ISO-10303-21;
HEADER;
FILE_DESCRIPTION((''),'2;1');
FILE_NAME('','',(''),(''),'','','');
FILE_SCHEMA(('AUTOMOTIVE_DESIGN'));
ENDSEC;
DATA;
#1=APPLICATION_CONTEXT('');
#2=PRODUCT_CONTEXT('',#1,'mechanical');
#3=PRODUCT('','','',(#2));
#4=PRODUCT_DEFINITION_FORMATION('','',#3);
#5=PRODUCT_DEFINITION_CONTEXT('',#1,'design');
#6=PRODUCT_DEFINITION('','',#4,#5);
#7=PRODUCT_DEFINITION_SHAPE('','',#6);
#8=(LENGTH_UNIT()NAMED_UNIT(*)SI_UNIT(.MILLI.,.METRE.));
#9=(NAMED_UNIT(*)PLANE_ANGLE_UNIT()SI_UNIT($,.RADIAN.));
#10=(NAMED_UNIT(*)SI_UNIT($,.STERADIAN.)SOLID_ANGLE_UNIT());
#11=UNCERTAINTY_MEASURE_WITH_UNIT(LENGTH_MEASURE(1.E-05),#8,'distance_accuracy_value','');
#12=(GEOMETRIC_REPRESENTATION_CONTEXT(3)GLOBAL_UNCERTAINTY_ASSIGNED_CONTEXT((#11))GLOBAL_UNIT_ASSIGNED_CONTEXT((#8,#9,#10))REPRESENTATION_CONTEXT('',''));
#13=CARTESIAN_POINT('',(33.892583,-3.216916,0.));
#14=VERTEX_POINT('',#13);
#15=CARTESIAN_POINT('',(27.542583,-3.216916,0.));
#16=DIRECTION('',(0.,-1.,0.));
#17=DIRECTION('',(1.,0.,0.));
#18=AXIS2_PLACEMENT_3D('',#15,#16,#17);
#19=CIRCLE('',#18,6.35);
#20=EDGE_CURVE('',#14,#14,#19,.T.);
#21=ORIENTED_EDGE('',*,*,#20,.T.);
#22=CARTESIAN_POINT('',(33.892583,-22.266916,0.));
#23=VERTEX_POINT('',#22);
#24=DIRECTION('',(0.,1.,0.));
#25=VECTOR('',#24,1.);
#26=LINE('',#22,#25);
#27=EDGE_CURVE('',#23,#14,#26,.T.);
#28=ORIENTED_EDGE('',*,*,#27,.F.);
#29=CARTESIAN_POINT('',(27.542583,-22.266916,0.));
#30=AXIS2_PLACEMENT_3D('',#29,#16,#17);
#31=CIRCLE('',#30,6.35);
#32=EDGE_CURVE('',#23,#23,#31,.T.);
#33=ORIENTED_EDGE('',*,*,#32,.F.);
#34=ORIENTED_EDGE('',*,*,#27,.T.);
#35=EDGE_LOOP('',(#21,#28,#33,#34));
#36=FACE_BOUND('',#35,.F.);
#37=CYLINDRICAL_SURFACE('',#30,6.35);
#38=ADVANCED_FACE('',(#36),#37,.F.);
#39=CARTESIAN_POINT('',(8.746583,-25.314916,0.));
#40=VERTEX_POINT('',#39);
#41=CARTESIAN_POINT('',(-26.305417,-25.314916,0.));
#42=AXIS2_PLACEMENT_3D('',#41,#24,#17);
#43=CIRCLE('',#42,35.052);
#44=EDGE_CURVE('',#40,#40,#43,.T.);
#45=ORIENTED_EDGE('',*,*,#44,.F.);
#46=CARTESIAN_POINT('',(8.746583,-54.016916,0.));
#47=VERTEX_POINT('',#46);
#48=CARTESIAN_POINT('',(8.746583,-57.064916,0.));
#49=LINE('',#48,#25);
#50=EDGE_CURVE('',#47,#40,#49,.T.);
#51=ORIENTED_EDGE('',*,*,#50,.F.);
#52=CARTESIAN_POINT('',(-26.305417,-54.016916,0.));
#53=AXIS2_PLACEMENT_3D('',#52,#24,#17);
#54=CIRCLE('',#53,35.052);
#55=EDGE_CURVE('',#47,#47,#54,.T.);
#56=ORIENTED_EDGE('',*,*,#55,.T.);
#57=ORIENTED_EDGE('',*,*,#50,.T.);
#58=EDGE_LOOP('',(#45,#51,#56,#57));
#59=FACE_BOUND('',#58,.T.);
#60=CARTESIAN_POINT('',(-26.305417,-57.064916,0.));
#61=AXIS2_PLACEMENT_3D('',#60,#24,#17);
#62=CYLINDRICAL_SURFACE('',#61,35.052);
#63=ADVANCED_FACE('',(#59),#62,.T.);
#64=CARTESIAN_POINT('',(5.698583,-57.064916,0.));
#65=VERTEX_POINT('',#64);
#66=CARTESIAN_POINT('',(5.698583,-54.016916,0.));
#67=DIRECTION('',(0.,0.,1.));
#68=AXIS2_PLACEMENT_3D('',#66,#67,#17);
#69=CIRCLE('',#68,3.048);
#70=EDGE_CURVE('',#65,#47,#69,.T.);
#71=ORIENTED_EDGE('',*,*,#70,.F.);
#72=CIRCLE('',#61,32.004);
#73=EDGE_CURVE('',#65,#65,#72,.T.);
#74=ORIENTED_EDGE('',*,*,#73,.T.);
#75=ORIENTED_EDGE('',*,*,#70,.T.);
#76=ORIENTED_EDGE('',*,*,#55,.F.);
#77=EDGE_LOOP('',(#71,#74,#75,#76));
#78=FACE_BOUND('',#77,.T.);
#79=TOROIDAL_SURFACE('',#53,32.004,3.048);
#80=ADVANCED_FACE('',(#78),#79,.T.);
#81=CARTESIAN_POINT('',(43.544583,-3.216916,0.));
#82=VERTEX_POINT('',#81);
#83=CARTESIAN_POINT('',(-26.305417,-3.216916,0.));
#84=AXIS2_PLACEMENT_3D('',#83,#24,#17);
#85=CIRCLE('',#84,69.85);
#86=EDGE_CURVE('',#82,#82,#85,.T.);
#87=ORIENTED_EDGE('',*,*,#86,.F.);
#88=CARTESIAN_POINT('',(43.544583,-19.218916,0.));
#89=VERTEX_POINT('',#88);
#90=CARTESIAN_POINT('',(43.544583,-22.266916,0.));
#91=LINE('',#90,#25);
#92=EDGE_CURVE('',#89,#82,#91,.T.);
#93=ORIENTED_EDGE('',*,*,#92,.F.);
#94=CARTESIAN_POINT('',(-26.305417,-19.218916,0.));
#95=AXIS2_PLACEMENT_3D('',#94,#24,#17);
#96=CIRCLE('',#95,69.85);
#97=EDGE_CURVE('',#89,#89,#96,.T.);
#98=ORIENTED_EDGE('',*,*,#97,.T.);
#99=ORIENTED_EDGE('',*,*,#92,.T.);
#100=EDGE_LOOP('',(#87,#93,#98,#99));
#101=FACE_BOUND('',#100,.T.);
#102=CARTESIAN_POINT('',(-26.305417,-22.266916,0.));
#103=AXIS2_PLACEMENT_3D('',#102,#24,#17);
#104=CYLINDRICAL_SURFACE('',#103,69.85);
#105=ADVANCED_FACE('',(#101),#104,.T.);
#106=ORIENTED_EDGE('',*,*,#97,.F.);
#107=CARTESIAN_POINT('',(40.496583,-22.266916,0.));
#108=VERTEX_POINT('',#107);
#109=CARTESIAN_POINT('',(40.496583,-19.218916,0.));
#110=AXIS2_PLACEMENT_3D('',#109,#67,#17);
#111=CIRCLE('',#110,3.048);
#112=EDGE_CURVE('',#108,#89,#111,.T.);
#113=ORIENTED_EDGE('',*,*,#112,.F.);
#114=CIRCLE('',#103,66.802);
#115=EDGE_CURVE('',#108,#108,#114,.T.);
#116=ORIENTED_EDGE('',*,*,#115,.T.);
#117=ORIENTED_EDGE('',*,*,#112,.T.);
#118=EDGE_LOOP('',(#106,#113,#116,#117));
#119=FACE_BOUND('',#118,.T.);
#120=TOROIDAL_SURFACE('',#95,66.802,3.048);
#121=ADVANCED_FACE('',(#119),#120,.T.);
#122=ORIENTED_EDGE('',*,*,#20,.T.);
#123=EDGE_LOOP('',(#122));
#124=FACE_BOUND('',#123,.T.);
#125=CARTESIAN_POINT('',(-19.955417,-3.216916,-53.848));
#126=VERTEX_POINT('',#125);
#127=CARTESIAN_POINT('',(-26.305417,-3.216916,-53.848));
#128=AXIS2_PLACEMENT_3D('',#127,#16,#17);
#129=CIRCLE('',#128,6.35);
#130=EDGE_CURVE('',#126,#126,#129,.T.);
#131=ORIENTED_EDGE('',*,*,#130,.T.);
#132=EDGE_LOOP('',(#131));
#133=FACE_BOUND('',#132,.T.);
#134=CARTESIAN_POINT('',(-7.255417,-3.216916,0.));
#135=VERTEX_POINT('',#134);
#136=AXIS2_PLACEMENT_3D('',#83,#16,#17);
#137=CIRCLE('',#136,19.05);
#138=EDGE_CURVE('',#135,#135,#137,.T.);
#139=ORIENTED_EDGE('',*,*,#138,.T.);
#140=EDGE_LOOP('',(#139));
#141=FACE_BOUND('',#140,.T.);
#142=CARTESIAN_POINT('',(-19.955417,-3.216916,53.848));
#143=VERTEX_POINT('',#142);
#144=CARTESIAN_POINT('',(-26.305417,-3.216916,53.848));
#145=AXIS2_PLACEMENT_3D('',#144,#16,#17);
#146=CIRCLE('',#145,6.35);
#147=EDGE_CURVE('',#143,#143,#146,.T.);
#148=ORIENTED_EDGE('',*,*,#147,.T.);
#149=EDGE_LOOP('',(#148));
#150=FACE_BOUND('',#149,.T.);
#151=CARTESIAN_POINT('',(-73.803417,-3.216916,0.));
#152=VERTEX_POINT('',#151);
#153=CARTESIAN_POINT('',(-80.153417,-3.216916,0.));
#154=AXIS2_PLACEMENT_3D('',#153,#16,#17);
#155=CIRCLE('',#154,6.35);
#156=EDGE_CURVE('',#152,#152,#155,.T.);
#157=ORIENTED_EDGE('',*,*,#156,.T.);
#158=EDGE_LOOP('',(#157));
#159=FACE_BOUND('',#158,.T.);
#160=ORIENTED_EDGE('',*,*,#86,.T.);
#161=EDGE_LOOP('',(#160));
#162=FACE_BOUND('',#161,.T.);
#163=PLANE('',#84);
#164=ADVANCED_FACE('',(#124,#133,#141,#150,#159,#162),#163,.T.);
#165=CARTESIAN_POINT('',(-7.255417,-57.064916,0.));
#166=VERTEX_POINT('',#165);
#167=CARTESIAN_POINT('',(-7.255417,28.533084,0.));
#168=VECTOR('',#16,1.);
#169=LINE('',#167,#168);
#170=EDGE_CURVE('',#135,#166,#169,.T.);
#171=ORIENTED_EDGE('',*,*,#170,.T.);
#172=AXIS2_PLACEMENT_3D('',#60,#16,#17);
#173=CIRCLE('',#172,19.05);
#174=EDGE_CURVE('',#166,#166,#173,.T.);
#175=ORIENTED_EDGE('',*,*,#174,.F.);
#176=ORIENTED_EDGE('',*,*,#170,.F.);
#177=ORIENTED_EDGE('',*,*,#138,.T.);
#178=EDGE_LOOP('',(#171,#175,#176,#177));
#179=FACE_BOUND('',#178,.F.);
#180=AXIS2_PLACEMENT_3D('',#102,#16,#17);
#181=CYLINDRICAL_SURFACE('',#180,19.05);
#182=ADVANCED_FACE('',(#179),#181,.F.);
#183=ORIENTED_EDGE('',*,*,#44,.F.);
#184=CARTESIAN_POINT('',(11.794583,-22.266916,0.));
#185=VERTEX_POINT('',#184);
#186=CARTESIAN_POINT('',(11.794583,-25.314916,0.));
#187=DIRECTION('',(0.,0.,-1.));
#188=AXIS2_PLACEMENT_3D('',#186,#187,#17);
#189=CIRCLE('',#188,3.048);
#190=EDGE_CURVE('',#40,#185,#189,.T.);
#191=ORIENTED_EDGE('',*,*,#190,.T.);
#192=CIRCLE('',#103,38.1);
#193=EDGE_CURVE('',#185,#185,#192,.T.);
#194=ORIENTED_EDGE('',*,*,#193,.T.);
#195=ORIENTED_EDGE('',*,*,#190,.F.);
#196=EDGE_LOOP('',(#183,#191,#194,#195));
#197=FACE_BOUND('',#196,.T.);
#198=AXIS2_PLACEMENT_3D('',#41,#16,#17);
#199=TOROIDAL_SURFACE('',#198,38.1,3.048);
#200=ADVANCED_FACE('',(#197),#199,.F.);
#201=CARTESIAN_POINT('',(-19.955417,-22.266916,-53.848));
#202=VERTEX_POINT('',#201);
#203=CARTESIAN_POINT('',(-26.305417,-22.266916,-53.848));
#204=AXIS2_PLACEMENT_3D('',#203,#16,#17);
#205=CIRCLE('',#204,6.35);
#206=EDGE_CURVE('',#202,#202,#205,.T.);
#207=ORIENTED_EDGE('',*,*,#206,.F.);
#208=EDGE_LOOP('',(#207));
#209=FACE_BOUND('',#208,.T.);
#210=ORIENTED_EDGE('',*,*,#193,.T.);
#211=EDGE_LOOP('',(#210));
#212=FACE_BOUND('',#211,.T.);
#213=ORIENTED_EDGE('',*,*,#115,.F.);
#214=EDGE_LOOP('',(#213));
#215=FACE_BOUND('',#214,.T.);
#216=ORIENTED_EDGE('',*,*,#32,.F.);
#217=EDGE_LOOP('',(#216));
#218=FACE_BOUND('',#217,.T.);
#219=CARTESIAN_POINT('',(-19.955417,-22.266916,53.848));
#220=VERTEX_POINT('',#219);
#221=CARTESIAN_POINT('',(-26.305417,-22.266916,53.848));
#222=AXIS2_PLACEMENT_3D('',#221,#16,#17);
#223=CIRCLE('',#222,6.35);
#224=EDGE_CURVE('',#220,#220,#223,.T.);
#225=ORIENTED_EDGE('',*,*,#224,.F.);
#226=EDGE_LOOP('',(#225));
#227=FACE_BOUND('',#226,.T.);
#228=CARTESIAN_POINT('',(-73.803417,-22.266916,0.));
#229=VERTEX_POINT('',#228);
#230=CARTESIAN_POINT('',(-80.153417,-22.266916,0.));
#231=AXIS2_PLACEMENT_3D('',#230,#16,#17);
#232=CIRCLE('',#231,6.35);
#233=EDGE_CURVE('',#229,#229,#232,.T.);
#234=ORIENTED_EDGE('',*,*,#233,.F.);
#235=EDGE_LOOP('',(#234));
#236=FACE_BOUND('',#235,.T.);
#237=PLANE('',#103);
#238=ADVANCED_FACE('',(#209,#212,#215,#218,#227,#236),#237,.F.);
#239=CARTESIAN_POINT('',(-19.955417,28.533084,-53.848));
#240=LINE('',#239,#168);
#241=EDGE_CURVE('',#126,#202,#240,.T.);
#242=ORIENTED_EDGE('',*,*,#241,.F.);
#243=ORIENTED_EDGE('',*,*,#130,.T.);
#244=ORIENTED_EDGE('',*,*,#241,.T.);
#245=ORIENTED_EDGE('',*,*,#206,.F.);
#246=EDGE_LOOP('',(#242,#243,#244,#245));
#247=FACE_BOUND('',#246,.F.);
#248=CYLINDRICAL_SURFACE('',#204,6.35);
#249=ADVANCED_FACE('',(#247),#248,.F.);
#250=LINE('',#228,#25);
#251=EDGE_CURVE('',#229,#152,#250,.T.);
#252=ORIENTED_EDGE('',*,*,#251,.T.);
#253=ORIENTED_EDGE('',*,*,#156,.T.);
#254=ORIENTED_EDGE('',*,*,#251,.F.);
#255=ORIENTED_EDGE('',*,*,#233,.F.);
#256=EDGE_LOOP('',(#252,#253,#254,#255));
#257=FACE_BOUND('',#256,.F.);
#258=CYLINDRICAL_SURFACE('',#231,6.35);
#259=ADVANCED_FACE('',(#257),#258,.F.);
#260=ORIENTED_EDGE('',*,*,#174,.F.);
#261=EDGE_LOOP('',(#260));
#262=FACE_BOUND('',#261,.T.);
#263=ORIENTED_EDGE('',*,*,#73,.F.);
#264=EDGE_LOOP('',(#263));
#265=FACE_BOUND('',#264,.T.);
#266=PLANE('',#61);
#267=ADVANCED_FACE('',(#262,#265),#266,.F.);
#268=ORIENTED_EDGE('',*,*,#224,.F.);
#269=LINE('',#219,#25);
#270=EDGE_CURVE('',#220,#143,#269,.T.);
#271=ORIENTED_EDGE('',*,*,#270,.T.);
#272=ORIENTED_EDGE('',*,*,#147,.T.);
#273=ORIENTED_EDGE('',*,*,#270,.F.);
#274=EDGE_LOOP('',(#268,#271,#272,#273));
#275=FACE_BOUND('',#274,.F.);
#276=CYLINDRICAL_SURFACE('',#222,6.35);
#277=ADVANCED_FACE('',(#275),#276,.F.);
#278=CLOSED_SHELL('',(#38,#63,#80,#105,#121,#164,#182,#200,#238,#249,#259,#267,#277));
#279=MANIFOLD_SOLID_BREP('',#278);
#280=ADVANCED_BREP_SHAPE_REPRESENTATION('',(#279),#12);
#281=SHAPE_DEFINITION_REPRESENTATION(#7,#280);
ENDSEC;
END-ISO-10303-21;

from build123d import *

# Parameters (mm, degrees)
F2_R     = 19.05
F3_DEPTH = 50.8
F4_R     = 6.35
F5_DEPTH = 50.8
F6_R     = 3.048


with BuildPart() as f1:
    # F0 (on Top) → F1 (revolve)
    with BuildSketch(Plane.XY):
        Polygon((-26.3054174867, -3.2169155025), (-26.3054174867, -57.0649155025), (8.7465825133, -57.0649155025), (8.7465825133, -22.2669155025), (43.5445825133, -22.2669155025), (43.5445825133, -3.2169155025), align=None)
    revolve(axis=Axis((-26.3054174867, -30.1409155025, 0), (0, 1, 0)))

    # F2 (on face) → F3 (cut, symmetric)
    with BuildSketch(Plane.XZ.offset(22.2669155025)):
        with Locations((-26.3054174867, 0)):
            Circle(F2_R)
    extrude(amount=F3_DEPTH, both=True, mode=Mode.SUBTRACT)

    # F4 (on face) → F5 (cut, symmetric)
    with BuildSketch(Plane.XZ.offset(22.2669155025)):
        with Locations((-80.1534174867, 0)):
            Circle(F4_R)
        with Locations((27.5425825133, 0)):
            Circle(F4_R)
        with Locations((-26.3054174867, 53.848)):
            Circle(F4_R)
        with Locations((-26.3054174867, -53.848)):
            Circle(F4_R)
    extrude(amount=F5_DEPTH, both=True, mode=Mode.SUBTRACT)

    # F6
    f6_edges = [f1.edges().sort_by_distance(p)[0] for p in [
        (-96.155417, -22.266916, 0),
        (-61.357417, -22.266916, 0),
        (-61.357417, -57.064916, 0),
    ]]
    fillet(f6_edges, radius=F6_R)


solid = f1.part
